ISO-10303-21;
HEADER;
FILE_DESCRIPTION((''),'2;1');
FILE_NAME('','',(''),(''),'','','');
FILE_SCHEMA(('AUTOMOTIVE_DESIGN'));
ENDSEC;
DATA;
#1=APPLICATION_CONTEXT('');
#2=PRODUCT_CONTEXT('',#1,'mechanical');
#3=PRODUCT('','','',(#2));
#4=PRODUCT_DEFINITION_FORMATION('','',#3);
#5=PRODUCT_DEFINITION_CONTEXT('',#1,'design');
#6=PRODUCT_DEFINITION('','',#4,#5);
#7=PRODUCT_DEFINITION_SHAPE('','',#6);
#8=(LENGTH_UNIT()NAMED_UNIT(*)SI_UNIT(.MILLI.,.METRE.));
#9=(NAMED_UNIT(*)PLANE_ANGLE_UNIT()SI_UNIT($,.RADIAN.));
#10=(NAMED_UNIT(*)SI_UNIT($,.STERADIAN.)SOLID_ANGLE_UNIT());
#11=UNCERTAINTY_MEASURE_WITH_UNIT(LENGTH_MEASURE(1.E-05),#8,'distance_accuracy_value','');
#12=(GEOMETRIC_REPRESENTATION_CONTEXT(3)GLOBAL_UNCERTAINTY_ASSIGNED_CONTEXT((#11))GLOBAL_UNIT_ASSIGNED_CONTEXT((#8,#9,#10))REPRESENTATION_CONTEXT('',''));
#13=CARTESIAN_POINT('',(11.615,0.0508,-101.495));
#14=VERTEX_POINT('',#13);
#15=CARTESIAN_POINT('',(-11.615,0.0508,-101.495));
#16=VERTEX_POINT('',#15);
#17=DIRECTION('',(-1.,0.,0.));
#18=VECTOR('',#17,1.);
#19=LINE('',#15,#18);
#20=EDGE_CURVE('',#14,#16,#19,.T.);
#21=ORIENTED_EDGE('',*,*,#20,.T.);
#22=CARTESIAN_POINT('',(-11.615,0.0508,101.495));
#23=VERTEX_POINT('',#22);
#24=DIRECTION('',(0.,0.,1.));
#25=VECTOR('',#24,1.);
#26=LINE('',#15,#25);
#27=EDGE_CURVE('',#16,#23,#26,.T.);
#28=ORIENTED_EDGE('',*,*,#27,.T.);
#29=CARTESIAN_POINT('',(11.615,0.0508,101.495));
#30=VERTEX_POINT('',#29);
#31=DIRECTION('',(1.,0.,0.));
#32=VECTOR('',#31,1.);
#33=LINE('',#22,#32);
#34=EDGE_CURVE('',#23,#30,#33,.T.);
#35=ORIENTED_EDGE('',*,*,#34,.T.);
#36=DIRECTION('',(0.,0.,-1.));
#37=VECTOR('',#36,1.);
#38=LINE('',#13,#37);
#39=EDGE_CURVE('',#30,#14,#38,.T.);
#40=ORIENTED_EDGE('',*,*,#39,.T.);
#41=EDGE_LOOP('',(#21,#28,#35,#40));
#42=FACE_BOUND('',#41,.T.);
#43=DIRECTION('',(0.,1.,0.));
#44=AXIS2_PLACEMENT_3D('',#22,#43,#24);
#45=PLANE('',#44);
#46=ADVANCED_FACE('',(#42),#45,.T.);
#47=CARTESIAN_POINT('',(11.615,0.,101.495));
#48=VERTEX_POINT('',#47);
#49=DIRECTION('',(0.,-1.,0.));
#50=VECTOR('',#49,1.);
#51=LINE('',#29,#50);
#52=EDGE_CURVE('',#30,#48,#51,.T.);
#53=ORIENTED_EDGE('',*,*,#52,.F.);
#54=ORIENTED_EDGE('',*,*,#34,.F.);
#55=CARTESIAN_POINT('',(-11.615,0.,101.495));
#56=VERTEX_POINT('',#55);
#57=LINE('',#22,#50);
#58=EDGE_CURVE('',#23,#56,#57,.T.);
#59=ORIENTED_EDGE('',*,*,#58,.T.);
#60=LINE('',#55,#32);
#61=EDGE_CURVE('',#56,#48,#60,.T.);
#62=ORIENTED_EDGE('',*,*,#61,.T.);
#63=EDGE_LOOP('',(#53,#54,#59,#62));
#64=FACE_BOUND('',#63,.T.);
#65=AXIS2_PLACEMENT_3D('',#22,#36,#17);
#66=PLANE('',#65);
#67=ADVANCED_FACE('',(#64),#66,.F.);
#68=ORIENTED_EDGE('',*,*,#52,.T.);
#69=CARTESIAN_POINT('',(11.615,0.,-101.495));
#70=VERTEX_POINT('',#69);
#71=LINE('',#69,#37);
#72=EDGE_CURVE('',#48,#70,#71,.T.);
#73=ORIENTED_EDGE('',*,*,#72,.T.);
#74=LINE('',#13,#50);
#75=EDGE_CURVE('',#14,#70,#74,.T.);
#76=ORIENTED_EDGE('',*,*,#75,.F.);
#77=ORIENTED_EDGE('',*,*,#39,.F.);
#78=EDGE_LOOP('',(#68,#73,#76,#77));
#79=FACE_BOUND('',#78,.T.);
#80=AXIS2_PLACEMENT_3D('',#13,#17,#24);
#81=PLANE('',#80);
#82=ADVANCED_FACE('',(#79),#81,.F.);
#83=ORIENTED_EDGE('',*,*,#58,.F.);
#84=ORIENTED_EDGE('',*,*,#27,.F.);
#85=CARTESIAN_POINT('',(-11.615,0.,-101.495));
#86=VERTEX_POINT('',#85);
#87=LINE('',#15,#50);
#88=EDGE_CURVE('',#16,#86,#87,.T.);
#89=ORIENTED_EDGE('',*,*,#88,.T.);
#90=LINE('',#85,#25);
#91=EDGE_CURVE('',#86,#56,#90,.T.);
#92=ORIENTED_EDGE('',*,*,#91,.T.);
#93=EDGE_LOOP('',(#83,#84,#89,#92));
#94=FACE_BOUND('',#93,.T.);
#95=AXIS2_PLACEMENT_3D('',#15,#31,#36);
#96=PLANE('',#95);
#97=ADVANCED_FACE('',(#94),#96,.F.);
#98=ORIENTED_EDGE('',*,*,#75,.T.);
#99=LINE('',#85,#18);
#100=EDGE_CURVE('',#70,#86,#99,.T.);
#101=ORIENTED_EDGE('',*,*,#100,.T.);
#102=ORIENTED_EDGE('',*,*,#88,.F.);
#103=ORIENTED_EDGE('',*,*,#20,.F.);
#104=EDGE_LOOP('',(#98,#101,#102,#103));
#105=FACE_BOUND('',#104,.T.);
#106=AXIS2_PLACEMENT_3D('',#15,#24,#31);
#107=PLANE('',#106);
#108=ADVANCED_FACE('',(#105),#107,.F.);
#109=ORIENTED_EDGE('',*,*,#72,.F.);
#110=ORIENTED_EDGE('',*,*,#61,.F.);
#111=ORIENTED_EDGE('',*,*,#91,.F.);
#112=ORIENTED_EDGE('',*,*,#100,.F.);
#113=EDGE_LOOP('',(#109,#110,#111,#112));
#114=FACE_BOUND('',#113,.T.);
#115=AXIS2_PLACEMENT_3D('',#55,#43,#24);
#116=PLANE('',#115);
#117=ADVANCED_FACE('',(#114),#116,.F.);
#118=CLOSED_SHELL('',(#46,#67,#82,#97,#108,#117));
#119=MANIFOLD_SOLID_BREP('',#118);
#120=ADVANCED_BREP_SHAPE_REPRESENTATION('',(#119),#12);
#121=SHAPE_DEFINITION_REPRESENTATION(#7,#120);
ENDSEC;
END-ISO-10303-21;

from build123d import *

# Parameters (mm, degrees)
SKETCH1_W      = 23.23
SKETCH1_H      = 202.99
EXTRUDE1_DEPTH = 0.0508


with BuildPart() as part:
    # Sketch1 → Extrude1 (new body)
    with BuildSketch(Plane(origin=(0, 0, 0), x_dir=(1, 0, 0), z_dir=(0, 1, 0))):
        Rectangle(SKETCH1_W, SKETCH1_H)
    extrude(amount=EXTRUDE1_DEPTH)


solid = part.part
